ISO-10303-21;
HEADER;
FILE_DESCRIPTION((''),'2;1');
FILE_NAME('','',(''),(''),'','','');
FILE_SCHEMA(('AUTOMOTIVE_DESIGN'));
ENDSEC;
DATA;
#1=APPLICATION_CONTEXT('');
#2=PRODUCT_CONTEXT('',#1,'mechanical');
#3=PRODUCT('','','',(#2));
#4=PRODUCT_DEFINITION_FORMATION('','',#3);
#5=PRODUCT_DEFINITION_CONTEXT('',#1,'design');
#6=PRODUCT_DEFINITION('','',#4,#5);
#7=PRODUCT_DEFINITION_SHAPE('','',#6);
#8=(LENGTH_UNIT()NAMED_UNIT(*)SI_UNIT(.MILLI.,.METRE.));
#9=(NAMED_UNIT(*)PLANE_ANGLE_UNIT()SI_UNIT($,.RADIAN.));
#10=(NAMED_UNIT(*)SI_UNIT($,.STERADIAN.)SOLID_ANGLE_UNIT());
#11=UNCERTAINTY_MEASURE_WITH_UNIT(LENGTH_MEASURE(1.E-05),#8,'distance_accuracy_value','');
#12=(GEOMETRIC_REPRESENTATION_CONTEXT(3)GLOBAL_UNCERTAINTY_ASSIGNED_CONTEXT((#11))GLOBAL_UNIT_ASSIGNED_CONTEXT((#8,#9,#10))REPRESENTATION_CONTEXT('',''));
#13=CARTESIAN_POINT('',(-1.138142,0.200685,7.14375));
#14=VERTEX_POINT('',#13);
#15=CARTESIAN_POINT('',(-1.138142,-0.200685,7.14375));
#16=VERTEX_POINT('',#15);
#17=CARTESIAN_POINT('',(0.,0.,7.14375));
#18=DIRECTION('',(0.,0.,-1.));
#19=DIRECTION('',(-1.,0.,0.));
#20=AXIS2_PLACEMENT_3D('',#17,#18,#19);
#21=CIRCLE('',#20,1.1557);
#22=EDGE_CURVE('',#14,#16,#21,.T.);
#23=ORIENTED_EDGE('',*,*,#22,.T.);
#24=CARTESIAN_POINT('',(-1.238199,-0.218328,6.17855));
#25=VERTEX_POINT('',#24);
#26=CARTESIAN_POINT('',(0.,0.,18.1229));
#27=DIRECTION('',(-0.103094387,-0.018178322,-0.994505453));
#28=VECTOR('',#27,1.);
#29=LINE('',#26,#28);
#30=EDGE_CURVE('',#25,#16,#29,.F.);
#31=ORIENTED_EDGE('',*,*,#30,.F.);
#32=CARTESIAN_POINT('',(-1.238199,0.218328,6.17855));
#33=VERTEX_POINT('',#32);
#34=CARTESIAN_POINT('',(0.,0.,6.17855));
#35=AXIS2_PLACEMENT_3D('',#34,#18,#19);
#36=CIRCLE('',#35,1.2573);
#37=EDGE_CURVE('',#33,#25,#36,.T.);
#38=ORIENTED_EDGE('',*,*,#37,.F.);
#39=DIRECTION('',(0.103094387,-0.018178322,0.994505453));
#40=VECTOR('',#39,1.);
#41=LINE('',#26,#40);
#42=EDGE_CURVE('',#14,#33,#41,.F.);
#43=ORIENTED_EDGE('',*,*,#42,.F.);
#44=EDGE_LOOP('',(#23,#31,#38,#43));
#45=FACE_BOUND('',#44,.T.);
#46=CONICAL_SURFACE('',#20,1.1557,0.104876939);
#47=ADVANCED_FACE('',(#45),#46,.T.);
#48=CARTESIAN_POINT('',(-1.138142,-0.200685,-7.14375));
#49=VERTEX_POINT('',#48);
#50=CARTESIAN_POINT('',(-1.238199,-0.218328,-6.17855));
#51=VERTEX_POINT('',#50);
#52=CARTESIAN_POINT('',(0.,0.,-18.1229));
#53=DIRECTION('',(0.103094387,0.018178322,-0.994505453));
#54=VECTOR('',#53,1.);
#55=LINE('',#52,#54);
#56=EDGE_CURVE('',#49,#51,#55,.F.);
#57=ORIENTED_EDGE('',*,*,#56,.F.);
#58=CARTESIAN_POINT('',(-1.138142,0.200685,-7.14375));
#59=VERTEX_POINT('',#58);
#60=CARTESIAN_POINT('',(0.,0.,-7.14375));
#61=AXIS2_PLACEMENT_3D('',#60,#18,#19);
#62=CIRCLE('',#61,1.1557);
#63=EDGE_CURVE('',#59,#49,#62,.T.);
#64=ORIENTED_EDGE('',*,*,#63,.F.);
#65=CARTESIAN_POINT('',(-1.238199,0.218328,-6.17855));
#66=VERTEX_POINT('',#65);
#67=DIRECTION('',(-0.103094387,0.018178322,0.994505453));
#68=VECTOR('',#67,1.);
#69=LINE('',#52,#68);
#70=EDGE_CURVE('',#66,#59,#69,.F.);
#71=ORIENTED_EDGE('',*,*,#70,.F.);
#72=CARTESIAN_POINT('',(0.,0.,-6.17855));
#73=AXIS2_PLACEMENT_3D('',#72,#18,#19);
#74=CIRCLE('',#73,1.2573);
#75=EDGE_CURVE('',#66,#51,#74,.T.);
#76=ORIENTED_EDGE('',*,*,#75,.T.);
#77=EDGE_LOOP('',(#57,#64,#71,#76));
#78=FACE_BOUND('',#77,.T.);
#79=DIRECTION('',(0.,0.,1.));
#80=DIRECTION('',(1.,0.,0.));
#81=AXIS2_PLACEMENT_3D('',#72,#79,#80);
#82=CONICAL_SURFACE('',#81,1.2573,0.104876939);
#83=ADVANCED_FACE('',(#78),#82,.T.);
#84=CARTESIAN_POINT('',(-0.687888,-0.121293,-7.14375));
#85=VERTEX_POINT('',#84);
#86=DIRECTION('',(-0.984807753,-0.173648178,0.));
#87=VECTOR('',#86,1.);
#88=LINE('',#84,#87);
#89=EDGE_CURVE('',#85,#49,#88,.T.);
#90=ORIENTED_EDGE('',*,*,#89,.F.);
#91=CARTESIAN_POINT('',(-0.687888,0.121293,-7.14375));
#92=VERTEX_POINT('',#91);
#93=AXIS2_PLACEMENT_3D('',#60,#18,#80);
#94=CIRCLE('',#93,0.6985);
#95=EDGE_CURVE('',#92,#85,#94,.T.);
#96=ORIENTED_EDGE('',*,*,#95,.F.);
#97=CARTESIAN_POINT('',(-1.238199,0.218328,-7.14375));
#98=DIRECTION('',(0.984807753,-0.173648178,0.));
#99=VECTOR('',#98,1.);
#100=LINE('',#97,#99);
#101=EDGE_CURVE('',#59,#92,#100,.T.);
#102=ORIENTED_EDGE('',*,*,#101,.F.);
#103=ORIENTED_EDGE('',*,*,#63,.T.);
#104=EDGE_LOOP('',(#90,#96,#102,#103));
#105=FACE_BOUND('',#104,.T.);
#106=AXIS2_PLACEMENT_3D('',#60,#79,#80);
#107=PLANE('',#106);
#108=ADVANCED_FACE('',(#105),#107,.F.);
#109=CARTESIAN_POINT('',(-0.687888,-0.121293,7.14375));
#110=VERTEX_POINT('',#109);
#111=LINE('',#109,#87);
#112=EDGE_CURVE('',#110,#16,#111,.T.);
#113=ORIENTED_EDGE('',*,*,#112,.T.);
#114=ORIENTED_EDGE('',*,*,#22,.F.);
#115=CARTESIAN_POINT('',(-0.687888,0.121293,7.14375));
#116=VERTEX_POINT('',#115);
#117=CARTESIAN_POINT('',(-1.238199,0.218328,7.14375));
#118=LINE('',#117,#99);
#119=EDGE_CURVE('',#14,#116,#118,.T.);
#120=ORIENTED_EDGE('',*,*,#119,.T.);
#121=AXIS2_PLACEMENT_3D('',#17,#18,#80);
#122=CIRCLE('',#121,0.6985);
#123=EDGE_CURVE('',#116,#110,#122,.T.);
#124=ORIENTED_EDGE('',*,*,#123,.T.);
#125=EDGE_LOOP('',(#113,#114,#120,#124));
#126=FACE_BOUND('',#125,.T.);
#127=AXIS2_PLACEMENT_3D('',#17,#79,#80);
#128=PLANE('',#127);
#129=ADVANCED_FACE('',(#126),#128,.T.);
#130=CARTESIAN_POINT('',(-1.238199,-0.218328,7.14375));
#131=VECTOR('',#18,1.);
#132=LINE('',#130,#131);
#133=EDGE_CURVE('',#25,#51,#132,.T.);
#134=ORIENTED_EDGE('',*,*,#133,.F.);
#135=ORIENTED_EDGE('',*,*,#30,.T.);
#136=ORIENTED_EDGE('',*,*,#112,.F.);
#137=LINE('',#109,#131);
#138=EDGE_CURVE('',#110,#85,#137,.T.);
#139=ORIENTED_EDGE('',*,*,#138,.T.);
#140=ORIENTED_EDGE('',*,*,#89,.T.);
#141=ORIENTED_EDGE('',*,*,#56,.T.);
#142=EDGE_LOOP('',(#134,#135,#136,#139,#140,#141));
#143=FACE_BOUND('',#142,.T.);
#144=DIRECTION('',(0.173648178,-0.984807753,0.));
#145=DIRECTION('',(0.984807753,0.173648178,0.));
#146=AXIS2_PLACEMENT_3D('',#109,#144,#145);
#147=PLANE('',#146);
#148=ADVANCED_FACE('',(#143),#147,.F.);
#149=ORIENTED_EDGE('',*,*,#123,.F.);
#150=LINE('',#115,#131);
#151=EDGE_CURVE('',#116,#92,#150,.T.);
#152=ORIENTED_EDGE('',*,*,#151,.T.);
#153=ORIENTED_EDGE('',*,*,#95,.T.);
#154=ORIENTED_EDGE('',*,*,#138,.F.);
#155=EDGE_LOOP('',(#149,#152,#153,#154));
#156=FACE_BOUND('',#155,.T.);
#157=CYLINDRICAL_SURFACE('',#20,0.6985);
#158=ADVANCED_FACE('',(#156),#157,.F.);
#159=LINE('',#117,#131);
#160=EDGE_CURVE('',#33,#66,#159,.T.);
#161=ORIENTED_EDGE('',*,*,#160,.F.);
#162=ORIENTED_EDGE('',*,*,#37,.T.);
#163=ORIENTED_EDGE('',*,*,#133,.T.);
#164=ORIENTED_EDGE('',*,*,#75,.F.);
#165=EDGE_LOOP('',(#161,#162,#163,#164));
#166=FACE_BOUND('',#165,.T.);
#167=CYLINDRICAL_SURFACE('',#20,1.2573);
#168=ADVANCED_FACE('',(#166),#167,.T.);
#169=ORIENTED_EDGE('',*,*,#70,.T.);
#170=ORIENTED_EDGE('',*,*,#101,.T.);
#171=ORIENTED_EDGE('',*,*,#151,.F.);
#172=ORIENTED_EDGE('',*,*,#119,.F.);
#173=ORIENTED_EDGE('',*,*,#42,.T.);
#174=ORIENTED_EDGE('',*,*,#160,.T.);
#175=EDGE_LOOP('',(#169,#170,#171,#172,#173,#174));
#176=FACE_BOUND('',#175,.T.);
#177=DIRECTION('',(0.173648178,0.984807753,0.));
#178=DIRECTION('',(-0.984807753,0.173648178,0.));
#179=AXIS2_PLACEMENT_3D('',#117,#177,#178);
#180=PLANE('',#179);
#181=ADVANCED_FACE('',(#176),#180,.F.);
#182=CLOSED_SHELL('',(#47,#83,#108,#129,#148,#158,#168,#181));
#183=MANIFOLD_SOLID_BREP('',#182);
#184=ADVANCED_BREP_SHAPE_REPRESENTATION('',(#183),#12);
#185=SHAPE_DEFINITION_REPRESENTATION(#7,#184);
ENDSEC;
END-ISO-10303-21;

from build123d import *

# Parameters (mm, degrees)
EXTRUDE1_DEPTH = 7.14375


with BuildPart() as part:
    # Sketch1 → Extrude1 (new body, symmetric)
    with BuildSketch(Plane.XY):
        with BuildLine():
            Line((-1.238198788, 0.218327854), (-0.687888215, 0.121293252))
            ThreePointArc((-0.687888215, 0.121293252), (0.6985, 0), (-0.687888215, -0.121293252))
            Line((-0.687888215, -0.121293252), (-1.238198788, -0.218327854))
            ThreePointArc((-1.238198788, -0.218327854), (1.2573, 0), (-1.238198788, 0.218327854))
        make_face()
    extrude(amount=EXTRUDE1_DEPTH, both=True)

    # Sketch2 → Cut-Revolve1 (revolve, cut)
    with BuildSketch(Plane(origin=(0, 0, 0), x_dir=(0, 0, -1), z_dir=(1, 0, 0))):
        Polygon((7.14375, 1.2573), (7.14375, 1.1557), (6.17855, 1.2573), align=None)
        Polygon((-6.17855, 1.2573), (-7.14375, 1.2573), (-7.14375, 1.1557), align=None)
    revolve(axis=Axis((0, 0, -7.14375), (0, 0, 1)), mode=Mode.SUBTRACT)


solid = part.part
